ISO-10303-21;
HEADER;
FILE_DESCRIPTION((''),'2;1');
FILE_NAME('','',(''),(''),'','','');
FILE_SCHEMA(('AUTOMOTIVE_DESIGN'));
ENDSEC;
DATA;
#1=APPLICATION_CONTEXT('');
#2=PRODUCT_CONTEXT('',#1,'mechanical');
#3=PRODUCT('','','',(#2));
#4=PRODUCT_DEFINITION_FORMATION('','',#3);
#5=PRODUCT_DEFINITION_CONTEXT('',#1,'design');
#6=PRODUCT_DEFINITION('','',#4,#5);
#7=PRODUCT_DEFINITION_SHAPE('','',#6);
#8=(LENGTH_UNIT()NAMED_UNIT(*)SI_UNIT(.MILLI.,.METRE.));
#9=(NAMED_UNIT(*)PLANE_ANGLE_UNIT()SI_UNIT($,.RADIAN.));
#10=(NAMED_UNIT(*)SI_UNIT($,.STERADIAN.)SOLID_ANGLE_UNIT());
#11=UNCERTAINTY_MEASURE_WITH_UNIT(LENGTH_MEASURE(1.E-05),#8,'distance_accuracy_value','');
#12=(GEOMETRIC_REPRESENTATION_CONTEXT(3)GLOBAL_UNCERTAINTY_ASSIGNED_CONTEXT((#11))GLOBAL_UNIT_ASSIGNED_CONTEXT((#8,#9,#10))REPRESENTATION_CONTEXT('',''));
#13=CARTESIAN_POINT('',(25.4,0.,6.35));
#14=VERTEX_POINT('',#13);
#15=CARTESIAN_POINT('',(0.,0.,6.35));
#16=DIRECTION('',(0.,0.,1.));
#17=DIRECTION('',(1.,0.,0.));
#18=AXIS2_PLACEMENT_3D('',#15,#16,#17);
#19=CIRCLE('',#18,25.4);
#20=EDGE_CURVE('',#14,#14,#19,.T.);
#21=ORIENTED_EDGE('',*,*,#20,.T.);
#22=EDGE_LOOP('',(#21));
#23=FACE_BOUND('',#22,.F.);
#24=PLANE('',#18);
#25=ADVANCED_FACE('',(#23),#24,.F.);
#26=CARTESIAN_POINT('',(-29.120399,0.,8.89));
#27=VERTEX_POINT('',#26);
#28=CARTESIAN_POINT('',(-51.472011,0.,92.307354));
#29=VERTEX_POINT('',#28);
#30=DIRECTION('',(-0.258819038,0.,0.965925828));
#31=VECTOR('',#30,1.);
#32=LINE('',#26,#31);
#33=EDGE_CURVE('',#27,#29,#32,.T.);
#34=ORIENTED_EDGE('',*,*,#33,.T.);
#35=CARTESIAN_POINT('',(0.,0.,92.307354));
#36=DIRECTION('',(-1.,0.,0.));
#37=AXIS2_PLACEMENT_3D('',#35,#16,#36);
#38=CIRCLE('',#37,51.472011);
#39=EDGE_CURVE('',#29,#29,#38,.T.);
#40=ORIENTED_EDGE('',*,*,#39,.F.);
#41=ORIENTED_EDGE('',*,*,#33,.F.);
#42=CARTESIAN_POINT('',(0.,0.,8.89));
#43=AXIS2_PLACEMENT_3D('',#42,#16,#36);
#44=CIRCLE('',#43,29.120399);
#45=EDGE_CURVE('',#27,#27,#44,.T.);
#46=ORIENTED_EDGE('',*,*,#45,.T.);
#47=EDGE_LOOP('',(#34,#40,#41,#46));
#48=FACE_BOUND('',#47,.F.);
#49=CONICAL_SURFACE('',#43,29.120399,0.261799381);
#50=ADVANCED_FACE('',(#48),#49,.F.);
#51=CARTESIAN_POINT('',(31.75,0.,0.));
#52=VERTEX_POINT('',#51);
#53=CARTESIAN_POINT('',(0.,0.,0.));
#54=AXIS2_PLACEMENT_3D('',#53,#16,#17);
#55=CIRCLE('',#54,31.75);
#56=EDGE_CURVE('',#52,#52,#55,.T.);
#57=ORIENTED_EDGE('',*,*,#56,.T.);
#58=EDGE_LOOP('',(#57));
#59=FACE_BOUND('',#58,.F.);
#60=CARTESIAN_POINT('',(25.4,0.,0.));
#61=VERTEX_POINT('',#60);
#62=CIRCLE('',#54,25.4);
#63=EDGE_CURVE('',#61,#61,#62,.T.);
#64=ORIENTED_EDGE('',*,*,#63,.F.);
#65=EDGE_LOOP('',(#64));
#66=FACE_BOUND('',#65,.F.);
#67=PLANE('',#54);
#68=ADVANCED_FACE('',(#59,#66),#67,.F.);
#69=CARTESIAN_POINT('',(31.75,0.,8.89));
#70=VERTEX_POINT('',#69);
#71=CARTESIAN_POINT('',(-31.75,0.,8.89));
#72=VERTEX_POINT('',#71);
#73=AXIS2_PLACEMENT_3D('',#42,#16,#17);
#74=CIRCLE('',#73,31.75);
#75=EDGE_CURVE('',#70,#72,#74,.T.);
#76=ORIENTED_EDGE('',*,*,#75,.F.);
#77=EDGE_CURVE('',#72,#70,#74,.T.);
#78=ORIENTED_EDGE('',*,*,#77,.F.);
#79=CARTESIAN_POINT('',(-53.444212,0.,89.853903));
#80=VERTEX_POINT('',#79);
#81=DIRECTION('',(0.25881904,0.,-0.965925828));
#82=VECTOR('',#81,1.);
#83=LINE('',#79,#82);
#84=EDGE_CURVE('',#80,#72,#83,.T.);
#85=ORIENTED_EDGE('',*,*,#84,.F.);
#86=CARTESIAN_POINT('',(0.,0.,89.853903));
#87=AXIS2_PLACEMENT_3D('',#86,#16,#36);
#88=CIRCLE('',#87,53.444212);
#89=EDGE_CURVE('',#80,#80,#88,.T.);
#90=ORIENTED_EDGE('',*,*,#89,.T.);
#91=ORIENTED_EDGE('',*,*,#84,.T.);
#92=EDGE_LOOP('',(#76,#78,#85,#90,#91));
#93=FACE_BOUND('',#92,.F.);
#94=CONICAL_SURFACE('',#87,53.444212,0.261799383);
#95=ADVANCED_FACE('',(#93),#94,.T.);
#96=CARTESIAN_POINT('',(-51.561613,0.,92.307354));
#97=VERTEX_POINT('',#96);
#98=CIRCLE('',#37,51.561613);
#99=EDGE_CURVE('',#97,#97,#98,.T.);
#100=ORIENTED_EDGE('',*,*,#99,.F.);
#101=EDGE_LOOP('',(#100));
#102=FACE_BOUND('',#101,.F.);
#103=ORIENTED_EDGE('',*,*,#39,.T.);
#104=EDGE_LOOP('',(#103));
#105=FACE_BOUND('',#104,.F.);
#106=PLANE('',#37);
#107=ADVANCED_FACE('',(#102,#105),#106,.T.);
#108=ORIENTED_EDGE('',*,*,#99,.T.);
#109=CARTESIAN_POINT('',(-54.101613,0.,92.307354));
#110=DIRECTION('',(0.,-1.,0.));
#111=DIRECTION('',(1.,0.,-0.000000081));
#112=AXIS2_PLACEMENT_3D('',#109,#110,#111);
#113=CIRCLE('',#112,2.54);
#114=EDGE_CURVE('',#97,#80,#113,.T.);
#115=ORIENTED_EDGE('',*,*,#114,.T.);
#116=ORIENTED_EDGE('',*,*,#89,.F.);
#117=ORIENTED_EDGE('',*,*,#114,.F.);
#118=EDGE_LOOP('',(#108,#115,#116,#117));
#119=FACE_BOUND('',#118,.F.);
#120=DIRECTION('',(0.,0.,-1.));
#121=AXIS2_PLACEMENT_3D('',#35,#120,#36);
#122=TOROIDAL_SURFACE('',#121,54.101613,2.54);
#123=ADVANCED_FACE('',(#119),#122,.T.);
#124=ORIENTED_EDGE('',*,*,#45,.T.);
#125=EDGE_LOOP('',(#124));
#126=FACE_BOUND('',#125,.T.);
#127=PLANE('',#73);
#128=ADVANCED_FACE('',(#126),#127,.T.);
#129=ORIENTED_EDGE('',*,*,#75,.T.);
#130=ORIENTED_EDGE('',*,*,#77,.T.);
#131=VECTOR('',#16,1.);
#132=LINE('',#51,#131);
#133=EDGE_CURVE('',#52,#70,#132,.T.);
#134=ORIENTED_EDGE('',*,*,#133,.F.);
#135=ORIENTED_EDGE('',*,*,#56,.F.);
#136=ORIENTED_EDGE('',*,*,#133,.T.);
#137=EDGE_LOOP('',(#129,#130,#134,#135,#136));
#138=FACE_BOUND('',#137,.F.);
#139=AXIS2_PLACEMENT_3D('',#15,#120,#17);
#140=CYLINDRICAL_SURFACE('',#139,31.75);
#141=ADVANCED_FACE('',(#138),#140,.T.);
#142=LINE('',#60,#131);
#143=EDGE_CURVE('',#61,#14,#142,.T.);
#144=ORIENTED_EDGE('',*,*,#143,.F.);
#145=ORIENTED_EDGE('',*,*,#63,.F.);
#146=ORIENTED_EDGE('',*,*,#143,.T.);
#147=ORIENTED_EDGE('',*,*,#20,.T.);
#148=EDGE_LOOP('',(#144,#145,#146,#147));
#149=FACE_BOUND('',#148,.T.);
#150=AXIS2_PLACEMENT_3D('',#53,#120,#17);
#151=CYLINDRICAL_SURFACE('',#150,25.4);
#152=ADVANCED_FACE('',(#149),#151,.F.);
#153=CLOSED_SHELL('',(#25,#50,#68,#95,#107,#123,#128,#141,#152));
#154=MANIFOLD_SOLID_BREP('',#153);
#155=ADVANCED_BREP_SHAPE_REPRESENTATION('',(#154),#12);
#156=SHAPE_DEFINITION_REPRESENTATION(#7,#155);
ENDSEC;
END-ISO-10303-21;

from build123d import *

# Parameters (mm, degrees)
F0_R     = 31.75
F0_R_2   = 25.4
F1_DEPTH = 6.35
F2_R     = 31.75
F3_DEPTH = 2.54


with BuildPart() as f1:
    # F0 (on Top) → F1 (new body)
    with BuildSketch(Plane.XY):
        Circle(F0_R)
        Circle(F0_R_2, mode=Mode.SUBTRACT)
    extrude(amount=F1_DEPTH)

    # F2 (on face) → F3 (join)
    with BuildSketch(Plane.XY.offset(6.35)):
        Circle(F2_R)
    extrude(amount=F3_DEPTH)

    # F4 (on Front) → F5 (revolve)
    with BuildSketch(Plane.XZ):
        with BuildLine():
            Line((-53.444212, 89.853903), (-31.75, 8.89))
            Line((-31.75, 8.89), (-29.120399, 8.89))
            Line((-29.120399, 8.89), (-51.472011, 92.307354))
            Line((-51.472011, 92.307354), (-51.561613, 92.307354))
            ThreePointArc((-51.561613, 92.307354), (-56.11673, 93.853608), (-53.444212, 89.853903))
        make_face()
    revolve(axis=Axis((0, 0, 53.792427), (0, 0, 1)))


solid = f1.part
